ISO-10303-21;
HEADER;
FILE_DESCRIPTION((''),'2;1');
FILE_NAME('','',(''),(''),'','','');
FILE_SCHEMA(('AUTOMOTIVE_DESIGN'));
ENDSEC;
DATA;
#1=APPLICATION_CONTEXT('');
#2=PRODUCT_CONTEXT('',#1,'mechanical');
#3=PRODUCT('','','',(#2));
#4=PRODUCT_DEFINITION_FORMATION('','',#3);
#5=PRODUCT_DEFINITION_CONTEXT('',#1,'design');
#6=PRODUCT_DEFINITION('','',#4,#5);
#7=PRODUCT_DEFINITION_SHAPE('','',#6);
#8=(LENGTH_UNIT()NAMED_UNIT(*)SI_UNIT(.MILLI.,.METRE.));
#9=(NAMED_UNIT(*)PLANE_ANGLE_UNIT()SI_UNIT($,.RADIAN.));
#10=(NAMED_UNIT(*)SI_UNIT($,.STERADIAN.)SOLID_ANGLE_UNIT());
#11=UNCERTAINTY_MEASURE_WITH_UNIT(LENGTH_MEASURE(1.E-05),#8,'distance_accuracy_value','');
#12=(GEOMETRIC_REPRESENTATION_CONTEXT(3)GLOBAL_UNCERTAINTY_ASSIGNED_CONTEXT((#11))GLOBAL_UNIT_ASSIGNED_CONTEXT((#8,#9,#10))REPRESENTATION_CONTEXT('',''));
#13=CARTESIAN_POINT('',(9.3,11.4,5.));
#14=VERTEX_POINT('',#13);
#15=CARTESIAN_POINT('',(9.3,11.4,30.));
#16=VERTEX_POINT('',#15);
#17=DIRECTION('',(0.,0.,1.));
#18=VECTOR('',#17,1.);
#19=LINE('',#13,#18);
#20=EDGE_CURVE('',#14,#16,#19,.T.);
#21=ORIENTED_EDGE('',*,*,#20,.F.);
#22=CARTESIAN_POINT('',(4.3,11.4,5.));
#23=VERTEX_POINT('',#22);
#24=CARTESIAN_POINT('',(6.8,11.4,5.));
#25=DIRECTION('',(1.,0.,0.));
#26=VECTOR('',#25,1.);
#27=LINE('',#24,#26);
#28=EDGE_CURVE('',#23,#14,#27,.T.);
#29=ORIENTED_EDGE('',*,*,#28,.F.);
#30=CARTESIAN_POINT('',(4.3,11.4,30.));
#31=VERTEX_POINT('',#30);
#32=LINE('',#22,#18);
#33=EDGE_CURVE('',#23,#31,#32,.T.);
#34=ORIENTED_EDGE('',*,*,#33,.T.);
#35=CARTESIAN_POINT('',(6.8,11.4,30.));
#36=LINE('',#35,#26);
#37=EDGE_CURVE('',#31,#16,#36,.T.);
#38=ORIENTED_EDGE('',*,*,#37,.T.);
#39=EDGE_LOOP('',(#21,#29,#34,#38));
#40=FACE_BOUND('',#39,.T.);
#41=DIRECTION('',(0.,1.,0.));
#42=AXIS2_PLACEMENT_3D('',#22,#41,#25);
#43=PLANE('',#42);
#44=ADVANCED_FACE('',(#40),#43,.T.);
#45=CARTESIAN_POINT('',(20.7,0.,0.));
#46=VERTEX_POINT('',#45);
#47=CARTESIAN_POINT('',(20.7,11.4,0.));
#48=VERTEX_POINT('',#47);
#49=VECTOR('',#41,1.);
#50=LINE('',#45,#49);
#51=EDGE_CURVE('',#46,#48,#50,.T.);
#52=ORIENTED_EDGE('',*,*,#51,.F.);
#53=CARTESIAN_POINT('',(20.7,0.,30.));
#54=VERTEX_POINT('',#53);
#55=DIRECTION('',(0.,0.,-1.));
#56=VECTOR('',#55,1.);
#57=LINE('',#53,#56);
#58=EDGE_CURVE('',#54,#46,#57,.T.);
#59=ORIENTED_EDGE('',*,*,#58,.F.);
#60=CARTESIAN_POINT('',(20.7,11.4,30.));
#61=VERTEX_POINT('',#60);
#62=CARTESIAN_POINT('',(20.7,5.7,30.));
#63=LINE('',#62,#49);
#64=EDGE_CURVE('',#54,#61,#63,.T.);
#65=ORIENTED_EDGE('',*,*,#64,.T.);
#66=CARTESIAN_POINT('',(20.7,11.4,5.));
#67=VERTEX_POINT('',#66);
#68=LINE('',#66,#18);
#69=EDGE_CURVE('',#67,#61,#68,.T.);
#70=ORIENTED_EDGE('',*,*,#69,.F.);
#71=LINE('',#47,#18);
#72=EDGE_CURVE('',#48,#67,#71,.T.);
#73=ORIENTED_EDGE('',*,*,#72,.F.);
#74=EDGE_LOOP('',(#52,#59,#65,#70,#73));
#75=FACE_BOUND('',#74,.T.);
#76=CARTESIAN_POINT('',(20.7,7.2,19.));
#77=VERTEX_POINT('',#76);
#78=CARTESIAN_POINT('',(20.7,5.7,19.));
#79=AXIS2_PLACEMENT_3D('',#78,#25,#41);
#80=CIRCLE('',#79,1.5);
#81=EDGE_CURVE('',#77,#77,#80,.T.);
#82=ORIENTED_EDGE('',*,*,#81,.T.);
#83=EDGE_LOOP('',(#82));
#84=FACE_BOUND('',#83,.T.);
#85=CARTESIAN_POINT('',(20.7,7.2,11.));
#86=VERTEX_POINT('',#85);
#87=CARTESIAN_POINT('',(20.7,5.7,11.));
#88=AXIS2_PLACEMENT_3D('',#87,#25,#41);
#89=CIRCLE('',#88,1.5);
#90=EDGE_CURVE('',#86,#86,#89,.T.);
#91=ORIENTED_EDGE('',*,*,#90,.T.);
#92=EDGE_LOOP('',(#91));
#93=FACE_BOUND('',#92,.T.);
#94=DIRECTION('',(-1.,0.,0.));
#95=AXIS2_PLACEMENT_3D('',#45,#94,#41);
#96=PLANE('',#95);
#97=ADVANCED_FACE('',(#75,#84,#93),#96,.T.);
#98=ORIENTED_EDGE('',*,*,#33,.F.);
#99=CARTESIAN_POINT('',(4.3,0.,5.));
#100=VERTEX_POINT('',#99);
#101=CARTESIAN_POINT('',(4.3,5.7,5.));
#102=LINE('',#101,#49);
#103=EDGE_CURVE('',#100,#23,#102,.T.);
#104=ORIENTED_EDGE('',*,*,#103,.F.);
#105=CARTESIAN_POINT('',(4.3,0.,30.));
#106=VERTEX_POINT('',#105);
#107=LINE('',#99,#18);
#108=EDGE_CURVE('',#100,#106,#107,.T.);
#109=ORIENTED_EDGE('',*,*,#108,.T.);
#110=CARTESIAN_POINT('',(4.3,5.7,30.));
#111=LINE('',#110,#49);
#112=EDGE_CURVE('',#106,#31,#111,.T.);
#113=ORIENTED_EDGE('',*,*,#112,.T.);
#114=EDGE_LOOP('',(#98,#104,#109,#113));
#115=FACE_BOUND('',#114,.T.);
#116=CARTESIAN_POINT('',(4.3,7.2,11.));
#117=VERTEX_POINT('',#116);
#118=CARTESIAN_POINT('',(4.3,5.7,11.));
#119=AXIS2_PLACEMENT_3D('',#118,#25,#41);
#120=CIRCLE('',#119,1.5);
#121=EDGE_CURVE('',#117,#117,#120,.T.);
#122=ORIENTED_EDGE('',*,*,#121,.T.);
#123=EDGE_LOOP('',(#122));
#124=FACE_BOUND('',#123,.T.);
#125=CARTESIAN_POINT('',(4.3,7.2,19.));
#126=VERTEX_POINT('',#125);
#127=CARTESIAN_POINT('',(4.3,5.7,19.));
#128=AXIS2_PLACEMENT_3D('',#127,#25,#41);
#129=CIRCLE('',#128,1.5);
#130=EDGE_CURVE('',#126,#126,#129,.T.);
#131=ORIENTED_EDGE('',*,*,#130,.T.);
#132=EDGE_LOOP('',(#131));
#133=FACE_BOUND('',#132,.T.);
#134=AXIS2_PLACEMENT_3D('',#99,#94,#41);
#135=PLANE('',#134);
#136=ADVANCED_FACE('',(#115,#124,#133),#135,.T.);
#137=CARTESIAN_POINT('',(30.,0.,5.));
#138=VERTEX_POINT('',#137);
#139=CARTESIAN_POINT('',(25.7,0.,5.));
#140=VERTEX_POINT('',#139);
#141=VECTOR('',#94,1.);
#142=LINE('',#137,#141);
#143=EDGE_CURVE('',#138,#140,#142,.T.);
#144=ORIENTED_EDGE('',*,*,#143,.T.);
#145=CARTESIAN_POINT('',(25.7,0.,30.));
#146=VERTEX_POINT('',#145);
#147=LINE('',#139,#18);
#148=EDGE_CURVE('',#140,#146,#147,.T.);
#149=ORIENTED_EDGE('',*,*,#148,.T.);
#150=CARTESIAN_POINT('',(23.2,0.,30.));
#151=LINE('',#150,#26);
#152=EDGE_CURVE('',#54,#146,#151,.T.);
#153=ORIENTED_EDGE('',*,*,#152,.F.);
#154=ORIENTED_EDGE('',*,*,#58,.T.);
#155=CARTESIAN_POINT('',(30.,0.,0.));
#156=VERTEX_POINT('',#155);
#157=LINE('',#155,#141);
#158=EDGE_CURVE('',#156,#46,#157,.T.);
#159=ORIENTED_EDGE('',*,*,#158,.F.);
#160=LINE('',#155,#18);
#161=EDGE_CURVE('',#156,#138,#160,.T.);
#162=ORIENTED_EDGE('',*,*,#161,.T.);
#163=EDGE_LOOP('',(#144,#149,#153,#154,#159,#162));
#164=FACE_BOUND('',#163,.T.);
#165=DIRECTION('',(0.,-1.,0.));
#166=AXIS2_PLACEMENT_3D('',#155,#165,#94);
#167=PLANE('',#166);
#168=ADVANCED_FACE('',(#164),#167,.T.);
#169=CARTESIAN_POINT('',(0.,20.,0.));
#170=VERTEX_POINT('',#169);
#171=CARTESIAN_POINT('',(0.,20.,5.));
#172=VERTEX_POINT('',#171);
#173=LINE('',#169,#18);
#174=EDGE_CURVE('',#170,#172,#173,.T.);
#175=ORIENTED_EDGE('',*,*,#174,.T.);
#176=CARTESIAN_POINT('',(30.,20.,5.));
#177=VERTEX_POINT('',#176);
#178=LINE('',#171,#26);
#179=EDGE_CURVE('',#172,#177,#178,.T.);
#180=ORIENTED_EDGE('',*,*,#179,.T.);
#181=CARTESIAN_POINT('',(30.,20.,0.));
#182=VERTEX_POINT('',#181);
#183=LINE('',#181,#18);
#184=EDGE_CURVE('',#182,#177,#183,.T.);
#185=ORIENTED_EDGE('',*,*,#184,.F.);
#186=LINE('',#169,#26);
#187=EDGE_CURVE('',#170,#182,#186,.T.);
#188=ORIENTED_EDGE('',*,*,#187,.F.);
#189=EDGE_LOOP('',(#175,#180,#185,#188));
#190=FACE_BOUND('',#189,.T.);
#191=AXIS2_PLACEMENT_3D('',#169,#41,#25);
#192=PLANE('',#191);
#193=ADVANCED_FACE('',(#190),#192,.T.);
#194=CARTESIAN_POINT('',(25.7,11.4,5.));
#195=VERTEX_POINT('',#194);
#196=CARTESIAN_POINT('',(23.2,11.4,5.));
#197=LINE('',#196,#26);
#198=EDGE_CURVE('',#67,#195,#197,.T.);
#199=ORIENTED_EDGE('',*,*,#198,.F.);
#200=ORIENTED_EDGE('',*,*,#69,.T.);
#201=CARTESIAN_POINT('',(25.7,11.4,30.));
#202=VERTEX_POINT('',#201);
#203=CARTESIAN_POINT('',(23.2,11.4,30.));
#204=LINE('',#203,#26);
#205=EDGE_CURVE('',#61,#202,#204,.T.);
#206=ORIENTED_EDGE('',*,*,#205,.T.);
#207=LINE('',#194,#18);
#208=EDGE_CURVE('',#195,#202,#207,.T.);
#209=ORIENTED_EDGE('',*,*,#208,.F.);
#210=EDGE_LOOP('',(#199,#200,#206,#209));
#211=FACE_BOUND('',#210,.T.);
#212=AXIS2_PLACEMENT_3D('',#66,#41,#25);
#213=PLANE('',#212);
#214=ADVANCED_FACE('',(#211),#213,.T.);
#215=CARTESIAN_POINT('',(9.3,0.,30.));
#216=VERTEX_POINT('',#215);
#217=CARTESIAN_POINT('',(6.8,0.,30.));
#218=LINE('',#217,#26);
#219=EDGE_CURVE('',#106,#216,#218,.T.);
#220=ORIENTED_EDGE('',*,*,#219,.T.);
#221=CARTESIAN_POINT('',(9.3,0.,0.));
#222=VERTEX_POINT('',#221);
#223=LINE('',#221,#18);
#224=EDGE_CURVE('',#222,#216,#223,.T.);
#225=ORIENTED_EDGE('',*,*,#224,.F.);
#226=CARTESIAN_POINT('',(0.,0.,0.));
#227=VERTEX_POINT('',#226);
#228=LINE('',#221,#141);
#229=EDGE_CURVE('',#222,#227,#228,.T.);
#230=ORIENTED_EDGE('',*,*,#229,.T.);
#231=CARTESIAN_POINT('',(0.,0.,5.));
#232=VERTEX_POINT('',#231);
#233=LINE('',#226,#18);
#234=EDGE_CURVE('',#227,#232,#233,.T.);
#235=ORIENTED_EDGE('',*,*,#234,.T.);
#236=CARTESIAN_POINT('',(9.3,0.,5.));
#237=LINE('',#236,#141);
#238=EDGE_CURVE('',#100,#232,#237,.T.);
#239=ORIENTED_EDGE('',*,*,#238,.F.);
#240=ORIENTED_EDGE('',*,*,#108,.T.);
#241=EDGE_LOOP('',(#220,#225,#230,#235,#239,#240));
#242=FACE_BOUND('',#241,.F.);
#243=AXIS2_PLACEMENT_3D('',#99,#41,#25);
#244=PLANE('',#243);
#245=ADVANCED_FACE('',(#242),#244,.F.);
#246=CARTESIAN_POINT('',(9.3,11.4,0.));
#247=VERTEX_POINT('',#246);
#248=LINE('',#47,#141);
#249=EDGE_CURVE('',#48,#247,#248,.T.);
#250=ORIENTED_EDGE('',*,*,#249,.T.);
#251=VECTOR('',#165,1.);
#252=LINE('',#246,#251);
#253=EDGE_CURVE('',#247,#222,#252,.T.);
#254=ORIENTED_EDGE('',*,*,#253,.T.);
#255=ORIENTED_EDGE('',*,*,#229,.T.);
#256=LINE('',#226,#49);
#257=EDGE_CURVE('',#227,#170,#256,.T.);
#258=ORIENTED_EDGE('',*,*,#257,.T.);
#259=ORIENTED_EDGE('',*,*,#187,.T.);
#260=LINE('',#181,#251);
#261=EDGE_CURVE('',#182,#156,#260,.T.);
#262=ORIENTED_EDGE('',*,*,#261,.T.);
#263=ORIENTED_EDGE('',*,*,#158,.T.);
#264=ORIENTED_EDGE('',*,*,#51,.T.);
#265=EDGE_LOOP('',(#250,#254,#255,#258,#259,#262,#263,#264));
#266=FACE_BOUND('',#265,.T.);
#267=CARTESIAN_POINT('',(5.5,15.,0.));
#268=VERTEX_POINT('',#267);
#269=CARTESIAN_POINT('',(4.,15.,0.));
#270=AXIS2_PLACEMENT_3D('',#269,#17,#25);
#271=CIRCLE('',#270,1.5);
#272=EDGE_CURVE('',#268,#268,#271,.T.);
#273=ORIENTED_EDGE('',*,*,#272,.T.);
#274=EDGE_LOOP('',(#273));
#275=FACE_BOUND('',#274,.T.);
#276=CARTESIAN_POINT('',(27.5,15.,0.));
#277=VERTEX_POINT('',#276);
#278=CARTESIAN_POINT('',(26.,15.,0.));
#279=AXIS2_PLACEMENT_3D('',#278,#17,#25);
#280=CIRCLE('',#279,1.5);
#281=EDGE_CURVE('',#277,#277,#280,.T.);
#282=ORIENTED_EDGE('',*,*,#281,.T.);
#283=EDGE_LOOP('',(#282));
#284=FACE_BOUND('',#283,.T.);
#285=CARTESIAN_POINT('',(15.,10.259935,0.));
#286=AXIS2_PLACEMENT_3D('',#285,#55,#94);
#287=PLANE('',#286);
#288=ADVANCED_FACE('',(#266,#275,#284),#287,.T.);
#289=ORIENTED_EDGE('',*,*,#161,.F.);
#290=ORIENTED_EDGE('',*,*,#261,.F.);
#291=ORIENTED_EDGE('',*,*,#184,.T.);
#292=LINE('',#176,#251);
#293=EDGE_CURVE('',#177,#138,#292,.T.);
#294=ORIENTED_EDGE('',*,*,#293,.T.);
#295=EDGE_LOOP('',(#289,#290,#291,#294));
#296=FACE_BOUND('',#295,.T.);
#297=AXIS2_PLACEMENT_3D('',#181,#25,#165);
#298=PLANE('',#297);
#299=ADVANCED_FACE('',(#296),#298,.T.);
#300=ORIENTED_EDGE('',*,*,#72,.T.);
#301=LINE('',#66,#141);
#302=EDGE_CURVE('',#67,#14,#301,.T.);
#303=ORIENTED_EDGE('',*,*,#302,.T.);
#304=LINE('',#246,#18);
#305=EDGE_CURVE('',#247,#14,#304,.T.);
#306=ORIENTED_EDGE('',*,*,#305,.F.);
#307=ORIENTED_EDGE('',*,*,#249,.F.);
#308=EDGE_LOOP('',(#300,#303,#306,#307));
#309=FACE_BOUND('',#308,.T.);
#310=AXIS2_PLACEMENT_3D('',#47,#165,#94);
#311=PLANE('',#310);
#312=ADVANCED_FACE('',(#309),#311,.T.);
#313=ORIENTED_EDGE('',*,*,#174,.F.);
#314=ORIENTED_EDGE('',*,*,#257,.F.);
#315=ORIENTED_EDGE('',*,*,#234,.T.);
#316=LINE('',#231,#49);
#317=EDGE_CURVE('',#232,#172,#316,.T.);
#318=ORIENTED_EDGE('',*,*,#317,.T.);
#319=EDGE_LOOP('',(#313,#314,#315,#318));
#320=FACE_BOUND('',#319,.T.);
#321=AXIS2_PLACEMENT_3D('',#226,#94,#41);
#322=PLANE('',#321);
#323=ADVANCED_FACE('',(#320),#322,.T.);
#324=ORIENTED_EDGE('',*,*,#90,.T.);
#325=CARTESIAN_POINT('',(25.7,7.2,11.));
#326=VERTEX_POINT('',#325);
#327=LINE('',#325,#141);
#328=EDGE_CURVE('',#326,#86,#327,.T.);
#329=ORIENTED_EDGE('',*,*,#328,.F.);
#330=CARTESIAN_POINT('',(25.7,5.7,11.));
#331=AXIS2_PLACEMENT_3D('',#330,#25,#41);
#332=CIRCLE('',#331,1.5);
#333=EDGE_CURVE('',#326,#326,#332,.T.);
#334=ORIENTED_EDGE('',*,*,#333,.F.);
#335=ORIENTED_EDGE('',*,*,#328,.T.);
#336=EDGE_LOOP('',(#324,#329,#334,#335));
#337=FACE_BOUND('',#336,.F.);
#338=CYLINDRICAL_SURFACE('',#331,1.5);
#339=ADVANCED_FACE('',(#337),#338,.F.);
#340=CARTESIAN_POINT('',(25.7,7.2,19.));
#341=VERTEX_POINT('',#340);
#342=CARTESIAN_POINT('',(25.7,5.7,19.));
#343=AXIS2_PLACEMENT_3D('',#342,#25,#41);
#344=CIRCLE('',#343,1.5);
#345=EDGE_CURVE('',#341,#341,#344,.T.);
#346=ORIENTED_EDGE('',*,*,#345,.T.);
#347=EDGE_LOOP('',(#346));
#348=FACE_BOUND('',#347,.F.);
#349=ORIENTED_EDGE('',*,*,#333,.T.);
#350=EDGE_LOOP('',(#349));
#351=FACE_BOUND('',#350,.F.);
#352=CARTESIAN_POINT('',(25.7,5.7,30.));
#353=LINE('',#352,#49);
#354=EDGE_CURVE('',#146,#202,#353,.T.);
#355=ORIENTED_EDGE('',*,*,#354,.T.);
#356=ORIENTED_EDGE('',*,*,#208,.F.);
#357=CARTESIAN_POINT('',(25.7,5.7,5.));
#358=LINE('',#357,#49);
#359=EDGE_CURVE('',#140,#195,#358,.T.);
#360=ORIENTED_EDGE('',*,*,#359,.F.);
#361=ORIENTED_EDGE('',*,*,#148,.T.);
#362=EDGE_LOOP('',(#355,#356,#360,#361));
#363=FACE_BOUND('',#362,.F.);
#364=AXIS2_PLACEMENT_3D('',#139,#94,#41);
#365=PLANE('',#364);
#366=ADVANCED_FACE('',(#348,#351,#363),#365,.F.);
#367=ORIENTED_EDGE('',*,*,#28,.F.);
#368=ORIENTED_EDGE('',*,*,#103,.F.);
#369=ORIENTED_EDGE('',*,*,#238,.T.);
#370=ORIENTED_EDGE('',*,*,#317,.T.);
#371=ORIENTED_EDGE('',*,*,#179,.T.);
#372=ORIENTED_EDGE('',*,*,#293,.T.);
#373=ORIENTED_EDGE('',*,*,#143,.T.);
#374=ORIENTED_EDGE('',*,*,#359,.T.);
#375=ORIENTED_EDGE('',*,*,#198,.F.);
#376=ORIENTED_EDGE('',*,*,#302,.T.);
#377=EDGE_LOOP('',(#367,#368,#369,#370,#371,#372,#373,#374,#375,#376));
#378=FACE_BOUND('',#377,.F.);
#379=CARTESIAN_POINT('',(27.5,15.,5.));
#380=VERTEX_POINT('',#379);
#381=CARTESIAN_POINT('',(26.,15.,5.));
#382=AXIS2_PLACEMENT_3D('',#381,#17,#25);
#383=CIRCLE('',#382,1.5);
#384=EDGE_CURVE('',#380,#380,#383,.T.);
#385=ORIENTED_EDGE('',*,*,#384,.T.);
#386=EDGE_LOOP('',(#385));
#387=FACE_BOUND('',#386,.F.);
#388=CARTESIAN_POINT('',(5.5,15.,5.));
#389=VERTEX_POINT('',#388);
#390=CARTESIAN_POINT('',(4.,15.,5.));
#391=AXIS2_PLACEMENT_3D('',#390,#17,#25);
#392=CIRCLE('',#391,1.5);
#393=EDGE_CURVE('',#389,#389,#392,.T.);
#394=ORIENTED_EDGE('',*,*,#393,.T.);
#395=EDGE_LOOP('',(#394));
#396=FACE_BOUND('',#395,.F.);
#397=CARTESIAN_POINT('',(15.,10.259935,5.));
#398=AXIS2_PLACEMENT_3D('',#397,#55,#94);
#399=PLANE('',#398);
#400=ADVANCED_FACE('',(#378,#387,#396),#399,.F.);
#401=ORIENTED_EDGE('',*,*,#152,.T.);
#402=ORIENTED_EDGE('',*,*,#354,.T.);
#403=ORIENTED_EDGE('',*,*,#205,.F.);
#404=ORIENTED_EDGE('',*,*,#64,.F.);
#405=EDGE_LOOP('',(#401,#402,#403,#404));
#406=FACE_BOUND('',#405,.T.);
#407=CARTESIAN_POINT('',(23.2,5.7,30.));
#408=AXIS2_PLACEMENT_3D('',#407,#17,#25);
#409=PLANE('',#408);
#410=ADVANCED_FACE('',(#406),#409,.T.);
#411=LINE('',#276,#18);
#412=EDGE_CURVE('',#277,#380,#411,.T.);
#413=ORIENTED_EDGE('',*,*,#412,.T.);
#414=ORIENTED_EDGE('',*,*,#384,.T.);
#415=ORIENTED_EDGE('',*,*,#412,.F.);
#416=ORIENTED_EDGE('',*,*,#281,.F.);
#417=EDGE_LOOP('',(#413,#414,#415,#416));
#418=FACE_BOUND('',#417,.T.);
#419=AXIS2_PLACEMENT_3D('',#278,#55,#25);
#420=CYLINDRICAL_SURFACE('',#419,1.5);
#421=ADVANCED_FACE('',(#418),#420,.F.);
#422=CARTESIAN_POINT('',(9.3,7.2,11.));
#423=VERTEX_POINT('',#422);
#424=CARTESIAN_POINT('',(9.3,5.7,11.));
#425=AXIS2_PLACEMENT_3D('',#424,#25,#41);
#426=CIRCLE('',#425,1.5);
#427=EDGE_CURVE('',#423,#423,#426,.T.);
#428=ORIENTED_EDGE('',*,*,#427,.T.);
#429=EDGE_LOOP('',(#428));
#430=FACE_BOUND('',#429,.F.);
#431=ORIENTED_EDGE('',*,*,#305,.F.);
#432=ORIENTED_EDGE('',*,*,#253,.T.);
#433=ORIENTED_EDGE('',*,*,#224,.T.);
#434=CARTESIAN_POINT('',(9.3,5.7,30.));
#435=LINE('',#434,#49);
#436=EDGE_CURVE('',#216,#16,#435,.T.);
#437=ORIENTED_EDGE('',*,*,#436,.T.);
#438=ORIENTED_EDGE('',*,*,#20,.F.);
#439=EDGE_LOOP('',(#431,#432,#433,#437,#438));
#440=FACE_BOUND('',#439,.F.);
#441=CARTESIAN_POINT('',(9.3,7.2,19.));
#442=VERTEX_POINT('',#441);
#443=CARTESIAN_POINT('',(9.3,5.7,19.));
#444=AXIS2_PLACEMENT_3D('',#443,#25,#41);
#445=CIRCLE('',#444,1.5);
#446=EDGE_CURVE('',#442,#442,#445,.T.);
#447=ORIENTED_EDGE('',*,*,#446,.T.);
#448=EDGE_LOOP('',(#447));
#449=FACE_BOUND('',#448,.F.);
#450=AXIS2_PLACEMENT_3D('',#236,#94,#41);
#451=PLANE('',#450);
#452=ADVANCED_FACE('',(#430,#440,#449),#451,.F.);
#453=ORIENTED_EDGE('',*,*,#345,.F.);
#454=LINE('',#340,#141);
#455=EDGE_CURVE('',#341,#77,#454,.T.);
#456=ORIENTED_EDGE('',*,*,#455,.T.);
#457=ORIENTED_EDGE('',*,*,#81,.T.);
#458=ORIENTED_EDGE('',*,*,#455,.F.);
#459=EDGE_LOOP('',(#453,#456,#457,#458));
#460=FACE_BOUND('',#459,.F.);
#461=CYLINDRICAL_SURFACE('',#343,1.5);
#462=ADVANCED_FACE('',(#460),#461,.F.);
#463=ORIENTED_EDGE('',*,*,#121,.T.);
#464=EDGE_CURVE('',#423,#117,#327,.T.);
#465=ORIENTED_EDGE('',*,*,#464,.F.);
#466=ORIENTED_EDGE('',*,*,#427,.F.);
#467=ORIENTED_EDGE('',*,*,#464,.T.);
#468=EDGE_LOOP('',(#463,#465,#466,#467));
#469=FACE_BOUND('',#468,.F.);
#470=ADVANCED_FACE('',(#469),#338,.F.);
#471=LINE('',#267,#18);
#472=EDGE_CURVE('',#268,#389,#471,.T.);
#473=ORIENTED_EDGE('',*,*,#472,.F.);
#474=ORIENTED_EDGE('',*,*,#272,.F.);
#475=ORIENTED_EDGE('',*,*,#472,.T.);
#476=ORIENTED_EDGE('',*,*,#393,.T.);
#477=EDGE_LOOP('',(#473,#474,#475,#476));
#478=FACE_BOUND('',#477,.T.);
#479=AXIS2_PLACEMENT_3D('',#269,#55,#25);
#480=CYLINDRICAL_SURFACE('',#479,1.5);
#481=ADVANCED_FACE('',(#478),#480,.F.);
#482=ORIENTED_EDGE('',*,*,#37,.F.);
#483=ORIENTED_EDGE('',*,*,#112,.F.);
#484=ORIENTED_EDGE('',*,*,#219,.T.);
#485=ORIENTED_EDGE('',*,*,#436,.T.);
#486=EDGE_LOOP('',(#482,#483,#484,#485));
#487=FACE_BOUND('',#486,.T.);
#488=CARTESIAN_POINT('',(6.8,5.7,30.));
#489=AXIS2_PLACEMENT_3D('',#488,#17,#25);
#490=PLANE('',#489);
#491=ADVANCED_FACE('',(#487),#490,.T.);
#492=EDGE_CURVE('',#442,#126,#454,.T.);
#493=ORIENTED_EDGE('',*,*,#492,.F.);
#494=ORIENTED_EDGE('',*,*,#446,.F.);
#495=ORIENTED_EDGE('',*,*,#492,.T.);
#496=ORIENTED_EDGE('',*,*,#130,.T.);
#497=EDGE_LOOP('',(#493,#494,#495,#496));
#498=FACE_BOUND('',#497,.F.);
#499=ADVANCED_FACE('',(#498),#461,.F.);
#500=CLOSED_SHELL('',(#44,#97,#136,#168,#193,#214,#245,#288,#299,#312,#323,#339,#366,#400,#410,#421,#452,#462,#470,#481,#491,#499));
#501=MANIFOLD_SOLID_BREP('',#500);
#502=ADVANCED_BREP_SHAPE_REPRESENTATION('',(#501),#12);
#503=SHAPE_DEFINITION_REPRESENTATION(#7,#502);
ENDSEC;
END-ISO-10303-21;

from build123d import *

# Parameters (mm, degrees)
SKETCH_R     = 1.5
PAD_DEPTH    = 5
SKETCH001_W  = 5
SKETCH001_H  = 11.4
PAD001_DEPTH = 25
SKETCH002_R  = 1.5
POCKET_DEPTH = 25.701


with BuildPart() as part:
    # Sketch → Pad (new body)
    with BuildSketch(Plane.XY):
        Polygon((0, 0), (0, 20), (30, 20), (30, 0), (20.7, 0), (20.7, 11.4), (9.3, 11.4), (9.3, 0), align=None)
        with Locations((4, 15)):
            Circle(SKETCH_R, mode=Mode.SUBTRACT)
        with Locations((26, 15)):
            Circle(SKETCH_R, mode=Mode.SUBTRACT)
    extrude(amount=PAD_DEPTH)

    # Sketch001 → Pad001 (new body)
    with BuildSketch(Plane.XY.offset(5)):
        with Locations((6.8, 5.7)):
            Rectangle(SKETCH001_W, SKETCH001_H)
        with Locations((23.2, 5.7)):
            Rectangle(SKETCH001_W, SKETCH001_H)
    extrude(amount=PAD001_DEPTH)

    # Sketch002 → Pocket (cut, through all)
    with BuildSketch(Plane.YZ.offset(25.7)):
        with Locations((5.7, 19)):
            Circle(SKETCH002_R)
        with Locations((5.7, 11)):
            Circle(SKETCH002_R)
    extrude(amount=-POCKET_DEPTH, mode=Mode.SUBTRACT)


solid = part.part
